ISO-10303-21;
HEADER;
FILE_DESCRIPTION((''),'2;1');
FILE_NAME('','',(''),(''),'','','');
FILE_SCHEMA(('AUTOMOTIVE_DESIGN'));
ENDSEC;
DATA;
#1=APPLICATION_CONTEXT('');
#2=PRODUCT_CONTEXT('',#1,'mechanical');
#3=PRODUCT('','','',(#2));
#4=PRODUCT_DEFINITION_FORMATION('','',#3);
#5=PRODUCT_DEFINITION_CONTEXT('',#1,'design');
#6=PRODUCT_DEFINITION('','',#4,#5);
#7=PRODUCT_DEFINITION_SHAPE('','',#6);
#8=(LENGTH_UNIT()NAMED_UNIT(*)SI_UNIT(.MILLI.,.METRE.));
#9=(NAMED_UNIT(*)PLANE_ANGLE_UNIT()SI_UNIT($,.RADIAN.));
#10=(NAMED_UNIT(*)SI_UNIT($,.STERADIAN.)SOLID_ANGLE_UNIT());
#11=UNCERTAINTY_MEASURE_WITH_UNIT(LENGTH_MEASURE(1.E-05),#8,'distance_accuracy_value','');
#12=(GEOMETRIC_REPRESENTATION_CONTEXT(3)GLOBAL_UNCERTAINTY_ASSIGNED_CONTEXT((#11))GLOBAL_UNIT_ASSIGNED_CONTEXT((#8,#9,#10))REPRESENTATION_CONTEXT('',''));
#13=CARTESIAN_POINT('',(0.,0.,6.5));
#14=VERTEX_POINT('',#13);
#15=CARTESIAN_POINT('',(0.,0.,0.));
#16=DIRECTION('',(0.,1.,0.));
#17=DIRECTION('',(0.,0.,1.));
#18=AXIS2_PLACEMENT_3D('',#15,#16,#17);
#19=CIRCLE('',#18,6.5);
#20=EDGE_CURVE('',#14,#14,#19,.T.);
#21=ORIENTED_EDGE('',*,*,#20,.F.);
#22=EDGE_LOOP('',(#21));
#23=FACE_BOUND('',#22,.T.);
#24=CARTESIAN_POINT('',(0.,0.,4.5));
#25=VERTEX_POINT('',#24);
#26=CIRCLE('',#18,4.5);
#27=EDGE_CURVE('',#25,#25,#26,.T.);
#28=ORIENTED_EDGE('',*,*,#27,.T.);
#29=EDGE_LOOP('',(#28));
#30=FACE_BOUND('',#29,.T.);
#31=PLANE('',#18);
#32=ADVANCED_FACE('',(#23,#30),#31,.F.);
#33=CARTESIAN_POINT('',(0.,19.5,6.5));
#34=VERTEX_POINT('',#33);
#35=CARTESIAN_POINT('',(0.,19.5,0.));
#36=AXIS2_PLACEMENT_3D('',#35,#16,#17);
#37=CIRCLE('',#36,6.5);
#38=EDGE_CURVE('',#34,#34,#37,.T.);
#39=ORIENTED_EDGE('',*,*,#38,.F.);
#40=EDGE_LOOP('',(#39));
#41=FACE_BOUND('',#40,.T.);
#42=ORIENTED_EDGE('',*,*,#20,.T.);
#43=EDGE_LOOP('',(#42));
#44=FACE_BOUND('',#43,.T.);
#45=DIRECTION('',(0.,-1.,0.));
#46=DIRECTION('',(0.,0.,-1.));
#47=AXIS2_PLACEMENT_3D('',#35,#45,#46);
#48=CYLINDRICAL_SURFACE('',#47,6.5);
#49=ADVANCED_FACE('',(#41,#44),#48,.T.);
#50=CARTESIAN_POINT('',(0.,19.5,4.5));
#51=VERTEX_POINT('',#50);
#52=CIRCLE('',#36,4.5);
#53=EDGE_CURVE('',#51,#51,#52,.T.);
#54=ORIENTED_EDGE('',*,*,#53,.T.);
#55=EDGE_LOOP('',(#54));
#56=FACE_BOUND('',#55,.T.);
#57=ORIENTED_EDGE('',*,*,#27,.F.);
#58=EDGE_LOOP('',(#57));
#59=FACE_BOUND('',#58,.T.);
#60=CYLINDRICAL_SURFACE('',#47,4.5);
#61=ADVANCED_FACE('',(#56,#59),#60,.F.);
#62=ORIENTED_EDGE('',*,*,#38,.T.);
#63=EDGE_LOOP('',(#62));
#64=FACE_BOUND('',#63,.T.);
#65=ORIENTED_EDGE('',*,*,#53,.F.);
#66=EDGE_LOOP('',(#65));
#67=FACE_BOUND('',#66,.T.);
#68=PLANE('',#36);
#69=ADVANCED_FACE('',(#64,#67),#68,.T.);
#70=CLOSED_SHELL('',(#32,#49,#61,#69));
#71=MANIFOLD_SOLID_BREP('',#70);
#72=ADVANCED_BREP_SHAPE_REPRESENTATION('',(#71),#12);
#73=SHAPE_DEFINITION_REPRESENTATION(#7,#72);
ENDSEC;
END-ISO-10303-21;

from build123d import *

# Parameters (mm, degrees)
CROQUIS1_R              = 6.5
CROQUIS1_R_2            = 4.5
SALIENTE_EXTRUIR1_DEPTH = 19.5


with BuildPart() as part:
    # Croquis1 → Saliente-Extruir1 (new body)
    with BuildSketch(Plane(origin=(0, 0, 0), x_dir=(1, 0, 0), z_dir=(0, 1, 0))):
        Circle(CROQUIS1_R)
        Circle(CROQUIS1_R_2, mode=Mode.SUBTRACT)
    extrude(amount=SALIENTE_EXTRUIR1_DEPTH)


solid = part.part
